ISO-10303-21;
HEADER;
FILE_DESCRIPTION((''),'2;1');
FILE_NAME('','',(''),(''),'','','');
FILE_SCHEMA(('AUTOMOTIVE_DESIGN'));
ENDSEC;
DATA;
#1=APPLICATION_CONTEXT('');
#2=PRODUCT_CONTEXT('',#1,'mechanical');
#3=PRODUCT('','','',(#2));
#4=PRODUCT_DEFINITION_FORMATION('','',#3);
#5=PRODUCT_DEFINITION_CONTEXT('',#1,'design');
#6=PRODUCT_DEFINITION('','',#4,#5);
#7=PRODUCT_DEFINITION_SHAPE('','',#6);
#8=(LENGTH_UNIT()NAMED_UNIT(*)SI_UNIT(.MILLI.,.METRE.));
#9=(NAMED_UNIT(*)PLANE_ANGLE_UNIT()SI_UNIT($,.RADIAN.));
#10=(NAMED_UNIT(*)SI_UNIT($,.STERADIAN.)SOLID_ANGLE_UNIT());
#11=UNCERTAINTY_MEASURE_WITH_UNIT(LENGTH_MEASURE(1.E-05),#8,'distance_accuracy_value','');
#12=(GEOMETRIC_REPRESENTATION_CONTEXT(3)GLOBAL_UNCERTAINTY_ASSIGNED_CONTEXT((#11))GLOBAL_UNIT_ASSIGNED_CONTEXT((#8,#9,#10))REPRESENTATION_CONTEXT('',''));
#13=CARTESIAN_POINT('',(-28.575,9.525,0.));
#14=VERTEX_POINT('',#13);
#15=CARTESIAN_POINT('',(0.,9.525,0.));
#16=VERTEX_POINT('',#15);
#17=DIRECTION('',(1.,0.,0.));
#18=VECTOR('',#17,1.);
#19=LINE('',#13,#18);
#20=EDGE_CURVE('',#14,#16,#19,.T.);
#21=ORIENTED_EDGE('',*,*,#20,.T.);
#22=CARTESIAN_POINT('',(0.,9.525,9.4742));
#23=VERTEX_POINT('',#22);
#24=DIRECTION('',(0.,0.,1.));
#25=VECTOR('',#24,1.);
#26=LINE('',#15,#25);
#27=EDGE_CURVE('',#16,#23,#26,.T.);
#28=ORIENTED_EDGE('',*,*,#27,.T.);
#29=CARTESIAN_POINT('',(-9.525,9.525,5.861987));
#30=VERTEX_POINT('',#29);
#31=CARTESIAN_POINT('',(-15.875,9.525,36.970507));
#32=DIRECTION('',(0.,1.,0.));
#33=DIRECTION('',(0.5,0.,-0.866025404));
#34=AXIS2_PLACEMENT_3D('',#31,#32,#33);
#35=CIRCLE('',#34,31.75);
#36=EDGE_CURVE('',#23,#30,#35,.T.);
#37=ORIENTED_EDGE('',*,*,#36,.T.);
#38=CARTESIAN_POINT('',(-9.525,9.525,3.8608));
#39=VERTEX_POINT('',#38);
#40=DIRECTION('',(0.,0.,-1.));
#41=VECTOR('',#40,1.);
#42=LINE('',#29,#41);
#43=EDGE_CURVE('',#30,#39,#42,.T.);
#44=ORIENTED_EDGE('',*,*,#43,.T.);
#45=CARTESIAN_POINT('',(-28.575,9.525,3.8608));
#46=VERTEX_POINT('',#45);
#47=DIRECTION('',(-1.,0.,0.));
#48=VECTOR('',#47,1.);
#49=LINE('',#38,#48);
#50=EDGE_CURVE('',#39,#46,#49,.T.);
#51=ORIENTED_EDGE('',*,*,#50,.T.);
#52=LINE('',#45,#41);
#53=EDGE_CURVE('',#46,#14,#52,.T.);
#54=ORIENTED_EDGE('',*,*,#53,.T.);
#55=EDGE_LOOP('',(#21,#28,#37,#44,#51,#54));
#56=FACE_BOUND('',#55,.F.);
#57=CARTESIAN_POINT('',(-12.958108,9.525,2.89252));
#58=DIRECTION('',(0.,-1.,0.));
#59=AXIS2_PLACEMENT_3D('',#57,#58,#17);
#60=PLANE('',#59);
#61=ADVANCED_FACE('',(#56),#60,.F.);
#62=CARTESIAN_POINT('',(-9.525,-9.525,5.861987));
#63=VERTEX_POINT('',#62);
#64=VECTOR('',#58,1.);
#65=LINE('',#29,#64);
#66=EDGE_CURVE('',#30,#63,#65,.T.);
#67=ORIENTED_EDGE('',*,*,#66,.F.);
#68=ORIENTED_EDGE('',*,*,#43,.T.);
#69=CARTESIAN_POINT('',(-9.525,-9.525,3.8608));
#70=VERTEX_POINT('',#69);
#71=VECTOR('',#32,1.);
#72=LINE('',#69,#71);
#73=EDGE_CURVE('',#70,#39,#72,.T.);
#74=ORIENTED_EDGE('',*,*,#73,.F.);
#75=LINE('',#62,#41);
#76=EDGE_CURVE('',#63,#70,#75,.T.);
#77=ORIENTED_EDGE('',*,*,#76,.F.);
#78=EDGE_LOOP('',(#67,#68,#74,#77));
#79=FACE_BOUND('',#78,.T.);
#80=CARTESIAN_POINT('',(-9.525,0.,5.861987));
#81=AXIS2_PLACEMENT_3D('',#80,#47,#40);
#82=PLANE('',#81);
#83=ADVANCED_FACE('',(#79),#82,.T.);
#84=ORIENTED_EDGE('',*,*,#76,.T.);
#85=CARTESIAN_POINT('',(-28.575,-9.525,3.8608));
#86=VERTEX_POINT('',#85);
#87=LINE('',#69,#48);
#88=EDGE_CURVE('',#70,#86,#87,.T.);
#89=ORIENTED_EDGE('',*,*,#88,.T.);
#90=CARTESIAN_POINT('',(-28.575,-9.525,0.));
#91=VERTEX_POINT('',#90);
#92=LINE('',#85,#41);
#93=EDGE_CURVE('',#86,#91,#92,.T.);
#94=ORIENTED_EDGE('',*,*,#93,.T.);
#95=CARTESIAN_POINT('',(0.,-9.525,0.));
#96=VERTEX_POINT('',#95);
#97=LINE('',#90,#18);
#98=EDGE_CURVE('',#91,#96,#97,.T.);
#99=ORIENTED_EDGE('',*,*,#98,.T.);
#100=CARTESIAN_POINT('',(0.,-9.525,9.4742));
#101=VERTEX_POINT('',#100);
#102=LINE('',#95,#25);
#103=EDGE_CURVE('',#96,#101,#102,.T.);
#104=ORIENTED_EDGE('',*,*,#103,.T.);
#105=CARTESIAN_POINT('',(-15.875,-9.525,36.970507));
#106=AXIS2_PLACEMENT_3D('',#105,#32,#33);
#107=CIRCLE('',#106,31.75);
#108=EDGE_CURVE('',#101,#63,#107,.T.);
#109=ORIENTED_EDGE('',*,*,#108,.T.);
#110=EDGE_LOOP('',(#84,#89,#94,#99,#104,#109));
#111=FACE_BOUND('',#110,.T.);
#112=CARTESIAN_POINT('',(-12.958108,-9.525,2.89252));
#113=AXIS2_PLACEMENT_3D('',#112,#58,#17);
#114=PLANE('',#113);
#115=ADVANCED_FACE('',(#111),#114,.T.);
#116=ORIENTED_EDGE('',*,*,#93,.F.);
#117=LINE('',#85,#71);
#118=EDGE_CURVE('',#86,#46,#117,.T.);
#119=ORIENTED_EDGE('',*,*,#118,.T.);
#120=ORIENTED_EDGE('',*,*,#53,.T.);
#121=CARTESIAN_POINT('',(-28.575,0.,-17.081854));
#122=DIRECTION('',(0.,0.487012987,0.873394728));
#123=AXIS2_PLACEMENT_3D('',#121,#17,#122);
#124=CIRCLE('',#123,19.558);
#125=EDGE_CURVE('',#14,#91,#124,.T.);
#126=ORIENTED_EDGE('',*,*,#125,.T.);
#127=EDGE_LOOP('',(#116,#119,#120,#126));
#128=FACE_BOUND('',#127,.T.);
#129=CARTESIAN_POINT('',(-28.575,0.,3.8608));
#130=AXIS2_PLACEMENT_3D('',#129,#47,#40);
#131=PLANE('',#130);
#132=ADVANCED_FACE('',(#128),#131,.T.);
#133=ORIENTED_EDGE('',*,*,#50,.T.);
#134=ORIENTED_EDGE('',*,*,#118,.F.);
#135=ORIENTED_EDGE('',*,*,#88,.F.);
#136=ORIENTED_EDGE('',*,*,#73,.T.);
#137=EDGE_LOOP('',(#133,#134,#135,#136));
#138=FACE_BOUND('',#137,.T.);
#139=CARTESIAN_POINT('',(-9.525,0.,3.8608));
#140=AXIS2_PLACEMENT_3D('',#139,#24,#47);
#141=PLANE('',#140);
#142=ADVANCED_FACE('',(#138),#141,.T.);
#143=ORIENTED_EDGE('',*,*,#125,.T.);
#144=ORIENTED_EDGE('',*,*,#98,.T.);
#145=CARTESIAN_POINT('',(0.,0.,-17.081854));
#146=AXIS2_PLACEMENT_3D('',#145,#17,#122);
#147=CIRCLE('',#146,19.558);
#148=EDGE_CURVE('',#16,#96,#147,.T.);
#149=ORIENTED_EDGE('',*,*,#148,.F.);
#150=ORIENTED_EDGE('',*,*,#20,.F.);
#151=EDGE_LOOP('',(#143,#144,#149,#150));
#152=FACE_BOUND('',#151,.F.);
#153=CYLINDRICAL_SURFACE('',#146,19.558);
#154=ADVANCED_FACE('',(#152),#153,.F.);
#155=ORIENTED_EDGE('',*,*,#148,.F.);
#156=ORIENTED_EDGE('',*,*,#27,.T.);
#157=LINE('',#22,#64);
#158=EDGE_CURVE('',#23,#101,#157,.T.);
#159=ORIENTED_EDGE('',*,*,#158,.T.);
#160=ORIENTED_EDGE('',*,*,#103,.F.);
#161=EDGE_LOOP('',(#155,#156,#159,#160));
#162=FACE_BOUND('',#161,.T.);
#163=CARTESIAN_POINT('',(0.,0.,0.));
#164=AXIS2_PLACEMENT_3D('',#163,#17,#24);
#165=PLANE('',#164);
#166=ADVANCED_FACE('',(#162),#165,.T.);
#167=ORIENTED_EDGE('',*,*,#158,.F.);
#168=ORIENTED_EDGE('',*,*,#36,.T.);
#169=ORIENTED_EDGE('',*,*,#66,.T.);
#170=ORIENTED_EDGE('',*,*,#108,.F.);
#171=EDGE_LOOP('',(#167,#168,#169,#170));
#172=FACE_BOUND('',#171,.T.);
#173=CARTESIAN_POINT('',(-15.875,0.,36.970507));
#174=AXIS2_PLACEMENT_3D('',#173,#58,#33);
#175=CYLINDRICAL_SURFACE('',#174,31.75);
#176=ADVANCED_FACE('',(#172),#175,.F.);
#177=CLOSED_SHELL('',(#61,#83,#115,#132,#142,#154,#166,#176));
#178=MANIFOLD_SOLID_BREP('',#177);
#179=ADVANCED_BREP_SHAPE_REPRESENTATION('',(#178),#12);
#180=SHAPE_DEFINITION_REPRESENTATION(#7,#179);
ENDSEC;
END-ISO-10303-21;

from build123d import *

# Parameters (mm, degrees)
F1_DEPTH = 9.525
F3_DEPTH = 28.576


with BuildPart() as f1:
    # F0 (on Front) → F1 (new body, symmetric)
    with BuildSketch(Plane.XZ):
        with BuildLine():
            Line((-28.575, 0), (0, 0))
            Line((0, 0), (0, 9.4742))
            ThreePointArc((0, 9.4742), (-4.6166840853, 7.2835932452), (-9.525, 5.8619868368))
            Line((-9.525, 5.8619868368), (-9.525, 3.8608))
            Line((-9.525, 3.8608), (-28.575, 3.8608))
            Line((-28.575, 3.8608), (-28.575, 0))
        make_face()
    extrude(amount=F1_DEPTH, both=True)

    # F2 (on face) → F3 (cut, through all)
    with BuildSketch(Plane.YZ):
        with BuildLine():
            ThreePointArc((9.525, 0), (0, 2.4761459145), (-9.525, 0))
            Line((-9.525, 0), (9.525, 0))
        make_face()
    extrude(amount=-F3_DEPTH, mode=Mode.SUBTRACT)


solid = f1.part
